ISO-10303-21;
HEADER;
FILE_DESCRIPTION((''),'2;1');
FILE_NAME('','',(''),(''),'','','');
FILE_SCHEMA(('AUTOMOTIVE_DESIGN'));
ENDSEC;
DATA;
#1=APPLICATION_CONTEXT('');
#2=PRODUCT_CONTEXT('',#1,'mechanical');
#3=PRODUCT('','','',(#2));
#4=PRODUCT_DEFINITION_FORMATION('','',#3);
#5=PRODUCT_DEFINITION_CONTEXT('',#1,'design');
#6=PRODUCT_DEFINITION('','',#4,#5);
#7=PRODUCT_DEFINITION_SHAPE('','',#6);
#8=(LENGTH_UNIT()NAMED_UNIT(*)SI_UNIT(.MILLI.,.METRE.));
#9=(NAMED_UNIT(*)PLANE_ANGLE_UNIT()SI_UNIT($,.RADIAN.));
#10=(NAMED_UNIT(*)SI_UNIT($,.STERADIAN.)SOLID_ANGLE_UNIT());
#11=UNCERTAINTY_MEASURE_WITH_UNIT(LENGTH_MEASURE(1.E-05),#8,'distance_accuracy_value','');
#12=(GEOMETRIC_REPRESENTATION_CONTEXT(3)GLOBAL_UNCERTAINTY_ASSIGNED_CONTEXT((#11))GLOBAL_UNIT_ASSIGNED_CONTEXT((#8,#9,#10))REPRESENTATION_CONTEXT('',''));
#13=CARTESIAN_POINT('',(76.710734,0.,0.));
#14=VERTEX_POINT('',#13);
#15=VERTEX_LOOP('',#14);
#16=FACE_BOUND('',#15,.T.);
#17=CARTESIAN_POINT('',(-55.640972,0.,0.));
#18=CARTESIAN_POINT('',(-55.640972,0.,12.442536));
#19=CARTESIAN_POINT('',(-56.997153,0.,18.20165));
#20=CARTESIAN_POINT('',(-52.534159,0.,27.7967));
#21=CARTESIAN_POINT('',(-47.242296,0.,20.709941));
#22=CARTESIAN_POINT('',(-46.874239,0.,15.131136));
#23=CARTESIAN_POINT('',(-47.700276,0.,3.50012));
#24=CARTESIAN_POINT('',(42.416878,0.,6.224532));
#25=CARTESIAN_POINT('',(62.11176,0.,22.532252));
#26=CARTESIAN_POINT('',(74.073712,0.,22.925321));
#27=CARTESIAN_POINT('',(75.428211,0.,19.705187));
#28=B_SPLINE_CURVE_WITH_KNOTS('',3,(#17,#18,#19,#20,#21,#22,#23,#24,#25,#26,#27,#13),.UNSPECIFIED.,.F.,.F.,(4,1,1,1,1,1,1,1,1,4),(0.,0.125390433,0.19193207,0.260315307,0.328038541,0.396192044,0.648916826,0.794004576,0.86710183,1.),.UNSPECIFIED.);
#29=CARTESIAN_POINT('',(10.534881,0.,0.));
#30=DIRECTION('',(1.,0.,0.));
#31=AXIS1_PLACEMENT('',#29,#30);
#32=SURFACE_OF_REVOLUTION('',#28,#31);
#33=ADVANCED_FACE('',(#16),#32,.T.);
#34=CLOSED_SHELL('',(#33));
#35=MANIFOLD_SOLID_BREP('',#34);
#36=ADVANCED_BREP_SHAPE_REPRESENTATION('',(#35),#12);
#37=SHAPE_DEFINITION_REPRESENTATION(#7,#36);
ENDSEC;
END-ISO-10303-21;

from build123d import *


with BuildPart() as f1:
    # F0 (on Front) → F1 (revolve)
    with BuildSketch(Plane.XZ):
        with BuildLine():
            add(Edge.make_bspline(
                [(-55.6409722979, 0), (-55.6409722979, 12.442535743), (-56.9971528566, 18.2016496694), (-52.5341588117, 27.7966997045), (-47.2422957857, 20.7099408693), (-46.8742386794, 15.131135722), (-47.7002763231, 3.5001200315), (42.41687779, 6.22453183), (62.1117597822, 22.5322517769), (74.0737123788, 22.9253209869), (75.428210778, 19.7051869165), (76.7107343874, 0)],
                knots=[0, 0, 0, 0, 0.1253904332, 0.1919320705, 0.2603153071, 0.328038541, 0.3961920437, 0.6489168257, 0.7940045764, 0.8671018298, 1, 1, 1, 1], degree=3))
            Line((-55.6409722979, 0), (76.7107343874, 0))
        make_face()
    revolve(axis=Axis((10.5348810447, 0, 0), (1, 0, 0)))


solid = f1.part
